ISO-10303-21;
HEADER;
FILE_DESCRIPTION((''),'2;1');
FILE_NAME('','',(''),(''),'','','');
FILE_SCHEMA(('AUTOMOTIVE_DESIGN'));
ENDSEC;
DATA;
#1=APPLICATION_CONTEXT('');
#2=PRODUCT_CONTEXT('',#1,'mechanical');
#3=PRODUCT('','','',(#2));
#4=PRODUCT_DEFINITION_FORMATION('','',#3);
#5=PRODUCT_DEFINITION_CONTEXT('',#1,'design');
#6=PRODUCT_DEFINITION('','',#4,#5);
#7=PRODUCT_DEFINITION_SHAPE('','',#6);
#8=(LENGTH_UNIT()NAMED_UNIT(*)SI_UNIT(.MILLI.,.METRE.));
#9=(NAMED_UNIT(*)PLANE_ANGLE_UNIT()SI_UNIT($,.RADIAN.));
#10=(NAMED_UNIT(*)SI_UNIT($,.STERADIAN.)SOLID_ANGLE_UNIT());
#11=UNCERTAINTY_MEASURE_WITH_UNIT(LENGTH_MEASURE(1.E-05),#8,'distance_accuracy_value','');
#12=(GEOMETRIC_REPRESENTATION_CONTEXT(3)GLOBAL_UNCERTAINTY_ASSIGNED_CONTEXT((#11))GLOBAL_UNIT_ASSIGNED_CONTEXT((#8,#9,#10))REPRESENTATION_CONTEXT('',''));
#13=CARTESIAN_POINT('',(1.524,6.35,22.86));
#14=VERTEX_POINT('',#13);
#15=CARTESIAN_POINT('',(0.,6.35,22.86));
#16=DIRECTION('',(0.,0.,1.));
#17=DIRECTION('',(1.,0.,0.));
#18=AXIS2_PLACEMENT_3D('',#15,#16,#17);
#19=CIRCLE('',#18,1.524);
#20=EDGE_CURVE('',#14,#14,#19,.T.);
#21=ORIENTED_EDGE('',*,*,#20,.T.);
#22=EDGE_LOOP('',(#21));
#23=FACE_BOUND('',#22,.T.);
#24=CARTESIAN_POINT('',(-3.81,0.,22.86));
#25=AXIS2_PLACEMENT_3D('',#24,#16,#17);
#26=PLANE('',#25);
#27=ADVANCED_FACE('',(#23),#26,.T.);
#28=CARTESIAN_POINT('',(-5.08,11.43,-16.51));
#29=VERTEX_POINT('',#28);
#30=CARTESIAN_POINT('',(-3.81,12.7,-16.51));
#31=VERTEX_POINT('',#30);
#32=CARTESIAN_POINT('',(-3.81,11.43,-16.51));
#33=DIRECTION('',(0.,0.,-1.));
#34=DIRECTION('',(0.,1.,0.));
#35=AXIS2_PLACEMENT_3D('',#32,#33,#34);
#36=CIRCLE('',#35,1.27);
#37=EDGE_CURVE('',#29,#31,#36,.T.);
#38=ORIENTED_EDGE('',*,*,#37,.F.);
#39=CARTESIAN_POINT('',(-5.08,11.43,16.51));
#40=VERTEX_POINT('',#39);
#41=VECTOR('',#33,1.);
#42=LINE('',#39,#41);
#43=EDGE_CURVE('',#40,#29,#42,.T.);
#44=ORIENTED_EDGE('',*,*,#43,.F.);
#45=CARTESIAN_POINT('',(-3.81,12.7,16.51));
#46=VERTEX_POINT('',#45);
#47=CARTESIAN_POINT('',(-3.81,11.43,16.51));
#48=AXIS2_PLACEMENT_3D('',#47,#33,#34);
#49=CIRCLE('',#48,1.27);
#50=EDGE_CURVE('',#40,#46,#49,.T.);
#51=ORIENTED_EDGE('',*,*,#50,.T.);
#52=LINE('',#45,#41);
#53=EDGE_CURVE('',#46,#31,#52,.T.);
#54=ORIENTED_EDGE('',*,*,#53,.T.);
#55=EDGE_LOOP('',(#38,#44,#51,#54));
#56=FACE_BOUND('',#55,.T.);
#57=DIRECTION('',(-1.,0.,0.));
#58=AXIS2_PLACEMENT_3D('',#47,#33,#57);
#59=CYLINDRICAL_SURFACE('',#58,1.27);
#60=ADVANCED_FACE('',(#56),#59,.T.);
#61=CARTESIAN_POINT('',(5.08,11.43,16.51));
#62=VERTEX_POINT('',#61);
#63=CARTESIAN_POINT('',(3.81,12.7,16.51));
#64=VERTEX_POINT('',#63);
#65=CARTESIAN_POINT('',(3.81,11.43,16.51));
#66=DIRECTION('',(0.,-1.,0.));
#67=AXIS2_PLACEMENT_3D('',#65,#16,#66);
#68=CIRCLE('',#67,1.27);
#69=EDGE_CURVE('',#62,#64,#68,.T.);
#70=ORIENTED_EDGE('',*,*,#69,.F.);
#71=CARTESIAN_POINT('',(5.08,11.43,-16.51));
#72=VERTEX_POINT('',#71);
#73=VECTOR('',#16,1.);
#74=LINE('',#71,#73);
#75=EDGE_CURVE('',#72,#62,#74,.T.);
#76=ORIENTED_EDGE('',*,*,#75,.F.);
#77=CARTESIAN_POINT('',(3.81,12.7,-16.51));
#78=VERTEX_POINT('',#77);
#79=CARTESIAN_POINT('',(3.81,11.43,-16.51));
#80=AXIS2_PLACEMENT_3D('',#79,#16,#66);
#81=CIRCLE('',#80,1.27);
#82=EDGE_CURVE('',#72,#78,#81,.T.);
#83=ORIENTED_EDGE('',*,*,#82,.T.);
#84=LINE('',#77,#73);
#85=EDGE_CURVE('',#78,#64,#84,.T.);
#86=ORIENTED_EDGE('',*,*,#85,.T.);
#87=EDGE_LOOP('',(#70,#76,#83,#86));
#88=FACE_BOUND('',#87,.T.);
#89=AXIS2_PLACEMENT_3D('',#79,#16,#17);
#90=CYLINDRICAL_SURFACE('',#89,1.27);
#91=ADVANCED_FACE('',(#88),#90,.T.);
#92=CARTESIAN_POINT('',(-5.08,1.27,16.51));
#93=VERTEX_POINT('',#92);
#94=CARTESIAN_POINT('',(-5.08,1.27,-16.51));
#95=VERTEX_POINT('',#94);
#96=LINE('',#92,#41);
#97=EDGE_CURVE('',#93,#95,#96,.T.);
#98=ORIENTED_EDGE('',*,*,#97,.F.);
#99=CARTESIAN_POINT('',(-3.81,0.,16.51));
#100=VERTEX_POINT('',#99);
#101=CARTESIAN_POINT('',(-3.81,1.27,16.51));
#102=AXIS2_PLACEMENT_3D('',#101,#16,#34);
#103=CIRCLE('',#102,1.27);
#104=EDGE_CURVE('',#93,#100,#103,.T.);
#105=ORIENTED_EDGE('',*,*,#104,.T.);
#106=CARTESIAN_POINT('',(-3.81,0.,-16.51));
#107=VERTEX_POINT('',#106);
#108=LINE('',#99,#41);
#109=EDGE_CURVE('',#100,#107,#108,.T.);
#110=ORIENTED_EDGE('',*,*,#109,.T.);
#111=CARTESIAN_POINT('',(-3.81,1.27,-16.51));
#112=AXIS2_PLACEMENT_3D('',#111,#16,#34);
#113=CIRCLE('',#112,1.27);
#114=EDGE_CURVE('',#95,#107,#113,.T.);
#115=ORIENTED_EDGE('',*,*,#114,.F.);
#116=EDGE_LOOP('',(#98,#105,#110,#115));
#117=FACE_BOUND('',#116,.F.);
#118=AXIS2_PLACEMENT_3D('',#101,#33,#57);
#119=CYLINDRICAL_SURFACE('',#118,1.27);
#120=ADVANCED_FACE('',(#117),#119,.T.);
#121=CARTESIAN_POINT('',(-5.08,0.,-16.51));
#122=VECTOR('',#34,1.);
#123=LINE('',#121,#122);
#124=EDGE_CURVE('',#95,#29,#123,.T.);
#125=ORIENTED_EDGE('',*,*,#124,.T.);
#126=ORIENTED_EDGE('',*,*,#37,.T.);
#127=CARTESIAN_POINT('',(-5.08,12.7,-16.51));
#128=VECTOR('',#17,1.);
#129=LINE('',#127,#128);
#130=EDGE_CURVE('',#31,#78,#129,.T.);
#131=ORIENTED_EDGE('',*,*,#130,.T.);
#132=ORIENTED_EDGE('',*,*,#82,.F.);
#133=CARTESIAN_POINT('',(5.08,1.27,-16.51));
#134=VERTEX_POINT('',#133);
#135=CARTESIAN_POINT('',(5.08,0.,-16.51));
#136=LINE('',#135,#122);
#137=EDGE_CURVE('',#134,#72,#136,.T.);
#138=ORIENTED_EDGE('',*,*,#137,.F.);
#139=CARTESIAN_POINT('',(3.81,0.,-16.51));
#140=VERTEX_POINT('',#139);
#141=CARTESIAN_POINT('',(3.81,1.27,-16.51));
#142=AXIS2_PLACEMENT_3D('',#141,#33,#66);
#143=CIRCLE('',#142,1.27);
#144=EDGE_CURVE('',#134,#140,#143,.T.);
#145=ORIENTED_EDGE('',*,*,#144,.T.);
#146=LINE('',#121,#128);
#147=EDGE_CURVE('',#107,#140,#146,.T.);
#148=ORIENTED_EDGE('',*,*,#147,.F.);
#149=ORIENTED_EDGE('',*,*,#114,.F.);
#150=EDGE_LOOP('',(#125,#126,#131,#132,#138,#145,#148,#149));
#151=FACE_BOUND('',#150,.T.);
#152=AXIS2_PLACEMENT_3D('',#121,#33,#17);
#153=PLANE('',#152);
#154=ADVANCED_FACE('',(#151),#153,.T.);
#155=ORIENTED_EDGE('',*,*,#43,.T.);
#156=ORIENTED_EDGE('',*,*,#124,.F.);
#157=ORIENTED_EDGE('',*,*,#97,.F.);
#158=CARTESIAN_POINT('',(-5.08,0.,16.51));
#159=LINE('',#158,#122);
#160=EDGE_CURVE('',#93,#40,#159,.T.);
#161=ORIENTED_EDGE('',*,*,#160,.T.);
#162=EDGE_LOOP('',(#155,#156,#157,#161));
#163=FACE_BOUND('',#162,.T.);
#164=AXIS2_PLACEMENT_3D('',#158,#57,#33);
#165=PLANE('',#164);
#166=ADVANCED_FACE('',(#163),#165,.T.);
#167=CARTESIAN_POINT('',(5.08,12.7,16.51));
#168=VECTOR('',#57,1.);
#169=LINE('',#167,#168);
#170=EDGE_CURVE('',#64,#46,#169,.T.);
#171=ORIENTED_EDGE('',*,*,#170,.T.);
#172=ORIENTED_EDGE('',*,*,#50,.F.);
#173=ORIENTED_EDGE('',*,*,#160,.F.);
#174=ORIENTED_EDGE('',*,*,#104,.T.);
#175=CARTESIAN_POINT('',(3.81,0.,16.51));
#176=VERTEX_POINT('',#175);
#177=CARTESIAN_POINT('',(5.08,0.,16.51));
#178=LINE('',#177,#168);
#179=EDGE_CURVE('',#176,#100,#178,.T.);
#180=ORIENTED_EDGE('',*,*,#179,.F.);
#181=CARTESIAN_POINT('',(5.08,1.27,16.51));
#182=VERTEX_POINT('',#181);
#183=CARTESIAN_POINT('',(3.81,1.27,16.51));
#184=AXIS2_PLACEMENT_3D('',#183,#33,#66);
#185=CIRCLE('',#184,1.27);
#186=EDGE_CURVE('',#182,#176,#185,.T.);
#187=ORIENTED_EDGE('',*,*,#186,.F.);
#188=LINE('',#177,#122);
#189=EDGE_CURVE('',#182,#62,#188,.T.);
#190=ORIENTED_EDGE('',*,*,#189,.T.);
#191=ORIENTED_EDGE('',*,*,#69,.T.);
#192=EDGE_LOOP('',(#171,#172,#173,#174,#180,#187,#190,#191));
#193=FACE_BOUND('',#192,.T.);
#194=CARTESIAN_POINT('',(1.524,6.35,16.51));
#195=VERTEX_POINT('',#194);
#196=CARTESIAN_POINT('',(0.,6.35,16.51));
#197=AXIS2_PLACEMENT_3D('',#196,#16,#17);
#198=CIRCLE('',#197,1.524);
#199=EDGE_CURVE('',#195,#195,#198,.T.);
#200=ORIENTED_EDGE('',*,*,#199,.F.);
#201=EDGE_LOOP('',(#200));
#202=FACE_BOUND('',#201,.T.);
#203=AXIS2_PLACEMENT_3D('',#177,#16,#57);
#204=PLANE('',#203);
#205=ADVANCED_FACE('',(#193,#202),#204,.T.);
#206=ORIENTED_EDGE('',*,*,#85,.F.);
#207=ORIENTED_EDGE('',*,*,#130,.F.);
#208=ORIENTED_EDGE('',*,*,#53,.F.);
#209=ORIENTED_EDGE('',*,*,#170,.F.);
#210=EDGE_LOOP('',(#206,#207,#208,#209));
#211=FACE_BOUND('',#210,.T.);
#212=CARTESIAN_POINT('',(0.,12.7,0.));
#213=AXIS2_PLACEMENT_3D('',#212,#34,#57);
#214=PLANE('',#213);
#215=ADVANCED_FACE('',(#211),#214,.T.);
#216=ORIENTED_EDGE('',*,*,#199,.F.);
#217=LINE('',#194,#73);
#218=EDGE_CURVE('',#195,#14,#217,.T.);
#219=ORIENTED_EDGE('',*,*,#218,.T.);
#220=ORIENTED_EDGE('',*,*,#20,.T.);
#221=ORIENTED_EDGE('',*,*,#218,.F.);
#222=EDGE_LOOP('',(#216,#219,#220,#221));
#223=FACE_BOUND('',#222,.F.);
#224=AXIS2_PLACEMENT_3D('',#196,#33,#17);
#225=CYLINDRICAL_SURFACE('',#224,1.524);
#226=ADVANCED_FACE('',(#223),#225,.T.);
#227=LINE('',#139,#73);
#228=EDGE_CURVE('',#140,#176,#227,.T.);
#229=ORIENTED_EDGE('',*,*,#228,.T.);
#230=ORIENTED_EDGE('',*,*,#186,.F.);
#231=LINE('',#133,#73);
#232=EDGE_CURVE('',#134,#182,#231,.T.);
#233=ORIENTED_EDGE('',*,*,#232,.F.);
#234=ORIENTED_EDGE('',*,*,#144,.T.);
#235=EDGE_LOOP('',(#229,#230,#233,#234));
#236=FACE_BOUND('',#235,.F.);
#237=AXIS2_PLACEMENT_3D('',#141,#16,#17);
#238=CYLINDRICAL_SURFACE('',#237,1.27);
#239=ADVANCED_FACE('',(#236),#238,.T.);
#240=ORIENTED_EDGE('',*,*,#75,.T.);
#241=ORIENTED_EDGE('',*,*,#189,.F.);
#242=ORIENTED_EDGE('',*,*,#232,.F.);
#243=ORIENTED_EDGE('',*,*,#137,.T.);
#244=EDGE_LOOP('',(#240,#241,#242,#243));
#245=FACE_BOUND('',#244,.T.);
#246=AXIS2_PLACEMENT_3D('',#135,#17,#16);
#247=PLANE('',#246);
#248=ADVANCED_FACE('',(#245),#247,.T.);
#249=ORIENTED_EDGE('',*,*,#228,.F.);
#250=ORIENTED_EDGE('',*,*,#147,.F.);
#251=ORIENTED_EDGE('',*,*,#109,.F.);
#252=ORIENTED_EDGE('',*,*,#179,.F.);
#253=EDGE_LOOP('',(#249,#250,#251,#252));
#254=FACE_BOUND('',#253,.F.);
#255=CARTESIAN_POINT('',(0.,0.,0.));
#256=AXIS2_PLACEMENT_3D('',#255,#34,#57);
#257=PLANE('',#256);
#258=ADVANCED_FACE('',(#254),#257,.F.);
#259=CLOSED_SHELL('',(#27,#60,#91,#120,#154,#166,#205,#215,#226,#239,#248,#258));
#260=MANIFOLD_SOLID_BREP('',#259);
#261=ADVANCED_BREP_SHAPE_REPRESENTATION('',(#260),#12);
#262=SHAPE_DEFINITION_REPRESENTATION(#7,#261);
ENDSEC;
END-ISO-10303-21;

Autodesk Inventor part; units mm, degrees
ref_plane "YZ Plane" through (0, 0, 0) normal (1, 0, 0) x (0, 1, 0)
ref_plane "XZ Plane" through (0, 0, 0) normal (0, 1, 0) x (-1, 0, 0)
ref_plane "XY Plane" through (0, 0, 0) normal (0, 0, 1) x (1, 0, 0)
sketch "Sketch1" plane through (0, 0, 0) normal (0, 1, 0) x (-1, 0, 0)
  line L0 (-5.08, 16.51) -> (5.08, 16.51)
  line L1 (5.08, 16.51) -> (5.08, -16.51)
  line L2 (5.08, -16.51) -> (-5.08, -16.51)
  line L3 (-5.08, -16.51) -> (-5.08, 16.51)
  line L4 (-5.08, 16.51) -> (5.08, -16.51) construction
  line L5 (5.08, 16.51) -> (-5.08, -16.51) construction
  point P0 (0, 0)
  dimension "d0" = 10.16
  dimension "d1" = 33.02
extrude "Extrusion1" add sketch "Sketch1" along normal blind 12.7
fillet "Fillet1" radius 1.27 4 edges at (5.08, 12.7, 0) (5.08, 0, 0) (-5.08, 12.7, 0) (-5.08, 0, 0)
sketch "Sketch2" plane through (-3.81, 0, 16.51) normal (0, 0, 1) x (1, 0, 0)
  circle A0 centre (3.81, 6.35) radius 1.524
  point P0 (3.81, 0)
  dimension "d5" = 3.048
extrude "Extrusion2" add sketch "Sketch2" along normal blind 6.35
properties part number "mtr"
